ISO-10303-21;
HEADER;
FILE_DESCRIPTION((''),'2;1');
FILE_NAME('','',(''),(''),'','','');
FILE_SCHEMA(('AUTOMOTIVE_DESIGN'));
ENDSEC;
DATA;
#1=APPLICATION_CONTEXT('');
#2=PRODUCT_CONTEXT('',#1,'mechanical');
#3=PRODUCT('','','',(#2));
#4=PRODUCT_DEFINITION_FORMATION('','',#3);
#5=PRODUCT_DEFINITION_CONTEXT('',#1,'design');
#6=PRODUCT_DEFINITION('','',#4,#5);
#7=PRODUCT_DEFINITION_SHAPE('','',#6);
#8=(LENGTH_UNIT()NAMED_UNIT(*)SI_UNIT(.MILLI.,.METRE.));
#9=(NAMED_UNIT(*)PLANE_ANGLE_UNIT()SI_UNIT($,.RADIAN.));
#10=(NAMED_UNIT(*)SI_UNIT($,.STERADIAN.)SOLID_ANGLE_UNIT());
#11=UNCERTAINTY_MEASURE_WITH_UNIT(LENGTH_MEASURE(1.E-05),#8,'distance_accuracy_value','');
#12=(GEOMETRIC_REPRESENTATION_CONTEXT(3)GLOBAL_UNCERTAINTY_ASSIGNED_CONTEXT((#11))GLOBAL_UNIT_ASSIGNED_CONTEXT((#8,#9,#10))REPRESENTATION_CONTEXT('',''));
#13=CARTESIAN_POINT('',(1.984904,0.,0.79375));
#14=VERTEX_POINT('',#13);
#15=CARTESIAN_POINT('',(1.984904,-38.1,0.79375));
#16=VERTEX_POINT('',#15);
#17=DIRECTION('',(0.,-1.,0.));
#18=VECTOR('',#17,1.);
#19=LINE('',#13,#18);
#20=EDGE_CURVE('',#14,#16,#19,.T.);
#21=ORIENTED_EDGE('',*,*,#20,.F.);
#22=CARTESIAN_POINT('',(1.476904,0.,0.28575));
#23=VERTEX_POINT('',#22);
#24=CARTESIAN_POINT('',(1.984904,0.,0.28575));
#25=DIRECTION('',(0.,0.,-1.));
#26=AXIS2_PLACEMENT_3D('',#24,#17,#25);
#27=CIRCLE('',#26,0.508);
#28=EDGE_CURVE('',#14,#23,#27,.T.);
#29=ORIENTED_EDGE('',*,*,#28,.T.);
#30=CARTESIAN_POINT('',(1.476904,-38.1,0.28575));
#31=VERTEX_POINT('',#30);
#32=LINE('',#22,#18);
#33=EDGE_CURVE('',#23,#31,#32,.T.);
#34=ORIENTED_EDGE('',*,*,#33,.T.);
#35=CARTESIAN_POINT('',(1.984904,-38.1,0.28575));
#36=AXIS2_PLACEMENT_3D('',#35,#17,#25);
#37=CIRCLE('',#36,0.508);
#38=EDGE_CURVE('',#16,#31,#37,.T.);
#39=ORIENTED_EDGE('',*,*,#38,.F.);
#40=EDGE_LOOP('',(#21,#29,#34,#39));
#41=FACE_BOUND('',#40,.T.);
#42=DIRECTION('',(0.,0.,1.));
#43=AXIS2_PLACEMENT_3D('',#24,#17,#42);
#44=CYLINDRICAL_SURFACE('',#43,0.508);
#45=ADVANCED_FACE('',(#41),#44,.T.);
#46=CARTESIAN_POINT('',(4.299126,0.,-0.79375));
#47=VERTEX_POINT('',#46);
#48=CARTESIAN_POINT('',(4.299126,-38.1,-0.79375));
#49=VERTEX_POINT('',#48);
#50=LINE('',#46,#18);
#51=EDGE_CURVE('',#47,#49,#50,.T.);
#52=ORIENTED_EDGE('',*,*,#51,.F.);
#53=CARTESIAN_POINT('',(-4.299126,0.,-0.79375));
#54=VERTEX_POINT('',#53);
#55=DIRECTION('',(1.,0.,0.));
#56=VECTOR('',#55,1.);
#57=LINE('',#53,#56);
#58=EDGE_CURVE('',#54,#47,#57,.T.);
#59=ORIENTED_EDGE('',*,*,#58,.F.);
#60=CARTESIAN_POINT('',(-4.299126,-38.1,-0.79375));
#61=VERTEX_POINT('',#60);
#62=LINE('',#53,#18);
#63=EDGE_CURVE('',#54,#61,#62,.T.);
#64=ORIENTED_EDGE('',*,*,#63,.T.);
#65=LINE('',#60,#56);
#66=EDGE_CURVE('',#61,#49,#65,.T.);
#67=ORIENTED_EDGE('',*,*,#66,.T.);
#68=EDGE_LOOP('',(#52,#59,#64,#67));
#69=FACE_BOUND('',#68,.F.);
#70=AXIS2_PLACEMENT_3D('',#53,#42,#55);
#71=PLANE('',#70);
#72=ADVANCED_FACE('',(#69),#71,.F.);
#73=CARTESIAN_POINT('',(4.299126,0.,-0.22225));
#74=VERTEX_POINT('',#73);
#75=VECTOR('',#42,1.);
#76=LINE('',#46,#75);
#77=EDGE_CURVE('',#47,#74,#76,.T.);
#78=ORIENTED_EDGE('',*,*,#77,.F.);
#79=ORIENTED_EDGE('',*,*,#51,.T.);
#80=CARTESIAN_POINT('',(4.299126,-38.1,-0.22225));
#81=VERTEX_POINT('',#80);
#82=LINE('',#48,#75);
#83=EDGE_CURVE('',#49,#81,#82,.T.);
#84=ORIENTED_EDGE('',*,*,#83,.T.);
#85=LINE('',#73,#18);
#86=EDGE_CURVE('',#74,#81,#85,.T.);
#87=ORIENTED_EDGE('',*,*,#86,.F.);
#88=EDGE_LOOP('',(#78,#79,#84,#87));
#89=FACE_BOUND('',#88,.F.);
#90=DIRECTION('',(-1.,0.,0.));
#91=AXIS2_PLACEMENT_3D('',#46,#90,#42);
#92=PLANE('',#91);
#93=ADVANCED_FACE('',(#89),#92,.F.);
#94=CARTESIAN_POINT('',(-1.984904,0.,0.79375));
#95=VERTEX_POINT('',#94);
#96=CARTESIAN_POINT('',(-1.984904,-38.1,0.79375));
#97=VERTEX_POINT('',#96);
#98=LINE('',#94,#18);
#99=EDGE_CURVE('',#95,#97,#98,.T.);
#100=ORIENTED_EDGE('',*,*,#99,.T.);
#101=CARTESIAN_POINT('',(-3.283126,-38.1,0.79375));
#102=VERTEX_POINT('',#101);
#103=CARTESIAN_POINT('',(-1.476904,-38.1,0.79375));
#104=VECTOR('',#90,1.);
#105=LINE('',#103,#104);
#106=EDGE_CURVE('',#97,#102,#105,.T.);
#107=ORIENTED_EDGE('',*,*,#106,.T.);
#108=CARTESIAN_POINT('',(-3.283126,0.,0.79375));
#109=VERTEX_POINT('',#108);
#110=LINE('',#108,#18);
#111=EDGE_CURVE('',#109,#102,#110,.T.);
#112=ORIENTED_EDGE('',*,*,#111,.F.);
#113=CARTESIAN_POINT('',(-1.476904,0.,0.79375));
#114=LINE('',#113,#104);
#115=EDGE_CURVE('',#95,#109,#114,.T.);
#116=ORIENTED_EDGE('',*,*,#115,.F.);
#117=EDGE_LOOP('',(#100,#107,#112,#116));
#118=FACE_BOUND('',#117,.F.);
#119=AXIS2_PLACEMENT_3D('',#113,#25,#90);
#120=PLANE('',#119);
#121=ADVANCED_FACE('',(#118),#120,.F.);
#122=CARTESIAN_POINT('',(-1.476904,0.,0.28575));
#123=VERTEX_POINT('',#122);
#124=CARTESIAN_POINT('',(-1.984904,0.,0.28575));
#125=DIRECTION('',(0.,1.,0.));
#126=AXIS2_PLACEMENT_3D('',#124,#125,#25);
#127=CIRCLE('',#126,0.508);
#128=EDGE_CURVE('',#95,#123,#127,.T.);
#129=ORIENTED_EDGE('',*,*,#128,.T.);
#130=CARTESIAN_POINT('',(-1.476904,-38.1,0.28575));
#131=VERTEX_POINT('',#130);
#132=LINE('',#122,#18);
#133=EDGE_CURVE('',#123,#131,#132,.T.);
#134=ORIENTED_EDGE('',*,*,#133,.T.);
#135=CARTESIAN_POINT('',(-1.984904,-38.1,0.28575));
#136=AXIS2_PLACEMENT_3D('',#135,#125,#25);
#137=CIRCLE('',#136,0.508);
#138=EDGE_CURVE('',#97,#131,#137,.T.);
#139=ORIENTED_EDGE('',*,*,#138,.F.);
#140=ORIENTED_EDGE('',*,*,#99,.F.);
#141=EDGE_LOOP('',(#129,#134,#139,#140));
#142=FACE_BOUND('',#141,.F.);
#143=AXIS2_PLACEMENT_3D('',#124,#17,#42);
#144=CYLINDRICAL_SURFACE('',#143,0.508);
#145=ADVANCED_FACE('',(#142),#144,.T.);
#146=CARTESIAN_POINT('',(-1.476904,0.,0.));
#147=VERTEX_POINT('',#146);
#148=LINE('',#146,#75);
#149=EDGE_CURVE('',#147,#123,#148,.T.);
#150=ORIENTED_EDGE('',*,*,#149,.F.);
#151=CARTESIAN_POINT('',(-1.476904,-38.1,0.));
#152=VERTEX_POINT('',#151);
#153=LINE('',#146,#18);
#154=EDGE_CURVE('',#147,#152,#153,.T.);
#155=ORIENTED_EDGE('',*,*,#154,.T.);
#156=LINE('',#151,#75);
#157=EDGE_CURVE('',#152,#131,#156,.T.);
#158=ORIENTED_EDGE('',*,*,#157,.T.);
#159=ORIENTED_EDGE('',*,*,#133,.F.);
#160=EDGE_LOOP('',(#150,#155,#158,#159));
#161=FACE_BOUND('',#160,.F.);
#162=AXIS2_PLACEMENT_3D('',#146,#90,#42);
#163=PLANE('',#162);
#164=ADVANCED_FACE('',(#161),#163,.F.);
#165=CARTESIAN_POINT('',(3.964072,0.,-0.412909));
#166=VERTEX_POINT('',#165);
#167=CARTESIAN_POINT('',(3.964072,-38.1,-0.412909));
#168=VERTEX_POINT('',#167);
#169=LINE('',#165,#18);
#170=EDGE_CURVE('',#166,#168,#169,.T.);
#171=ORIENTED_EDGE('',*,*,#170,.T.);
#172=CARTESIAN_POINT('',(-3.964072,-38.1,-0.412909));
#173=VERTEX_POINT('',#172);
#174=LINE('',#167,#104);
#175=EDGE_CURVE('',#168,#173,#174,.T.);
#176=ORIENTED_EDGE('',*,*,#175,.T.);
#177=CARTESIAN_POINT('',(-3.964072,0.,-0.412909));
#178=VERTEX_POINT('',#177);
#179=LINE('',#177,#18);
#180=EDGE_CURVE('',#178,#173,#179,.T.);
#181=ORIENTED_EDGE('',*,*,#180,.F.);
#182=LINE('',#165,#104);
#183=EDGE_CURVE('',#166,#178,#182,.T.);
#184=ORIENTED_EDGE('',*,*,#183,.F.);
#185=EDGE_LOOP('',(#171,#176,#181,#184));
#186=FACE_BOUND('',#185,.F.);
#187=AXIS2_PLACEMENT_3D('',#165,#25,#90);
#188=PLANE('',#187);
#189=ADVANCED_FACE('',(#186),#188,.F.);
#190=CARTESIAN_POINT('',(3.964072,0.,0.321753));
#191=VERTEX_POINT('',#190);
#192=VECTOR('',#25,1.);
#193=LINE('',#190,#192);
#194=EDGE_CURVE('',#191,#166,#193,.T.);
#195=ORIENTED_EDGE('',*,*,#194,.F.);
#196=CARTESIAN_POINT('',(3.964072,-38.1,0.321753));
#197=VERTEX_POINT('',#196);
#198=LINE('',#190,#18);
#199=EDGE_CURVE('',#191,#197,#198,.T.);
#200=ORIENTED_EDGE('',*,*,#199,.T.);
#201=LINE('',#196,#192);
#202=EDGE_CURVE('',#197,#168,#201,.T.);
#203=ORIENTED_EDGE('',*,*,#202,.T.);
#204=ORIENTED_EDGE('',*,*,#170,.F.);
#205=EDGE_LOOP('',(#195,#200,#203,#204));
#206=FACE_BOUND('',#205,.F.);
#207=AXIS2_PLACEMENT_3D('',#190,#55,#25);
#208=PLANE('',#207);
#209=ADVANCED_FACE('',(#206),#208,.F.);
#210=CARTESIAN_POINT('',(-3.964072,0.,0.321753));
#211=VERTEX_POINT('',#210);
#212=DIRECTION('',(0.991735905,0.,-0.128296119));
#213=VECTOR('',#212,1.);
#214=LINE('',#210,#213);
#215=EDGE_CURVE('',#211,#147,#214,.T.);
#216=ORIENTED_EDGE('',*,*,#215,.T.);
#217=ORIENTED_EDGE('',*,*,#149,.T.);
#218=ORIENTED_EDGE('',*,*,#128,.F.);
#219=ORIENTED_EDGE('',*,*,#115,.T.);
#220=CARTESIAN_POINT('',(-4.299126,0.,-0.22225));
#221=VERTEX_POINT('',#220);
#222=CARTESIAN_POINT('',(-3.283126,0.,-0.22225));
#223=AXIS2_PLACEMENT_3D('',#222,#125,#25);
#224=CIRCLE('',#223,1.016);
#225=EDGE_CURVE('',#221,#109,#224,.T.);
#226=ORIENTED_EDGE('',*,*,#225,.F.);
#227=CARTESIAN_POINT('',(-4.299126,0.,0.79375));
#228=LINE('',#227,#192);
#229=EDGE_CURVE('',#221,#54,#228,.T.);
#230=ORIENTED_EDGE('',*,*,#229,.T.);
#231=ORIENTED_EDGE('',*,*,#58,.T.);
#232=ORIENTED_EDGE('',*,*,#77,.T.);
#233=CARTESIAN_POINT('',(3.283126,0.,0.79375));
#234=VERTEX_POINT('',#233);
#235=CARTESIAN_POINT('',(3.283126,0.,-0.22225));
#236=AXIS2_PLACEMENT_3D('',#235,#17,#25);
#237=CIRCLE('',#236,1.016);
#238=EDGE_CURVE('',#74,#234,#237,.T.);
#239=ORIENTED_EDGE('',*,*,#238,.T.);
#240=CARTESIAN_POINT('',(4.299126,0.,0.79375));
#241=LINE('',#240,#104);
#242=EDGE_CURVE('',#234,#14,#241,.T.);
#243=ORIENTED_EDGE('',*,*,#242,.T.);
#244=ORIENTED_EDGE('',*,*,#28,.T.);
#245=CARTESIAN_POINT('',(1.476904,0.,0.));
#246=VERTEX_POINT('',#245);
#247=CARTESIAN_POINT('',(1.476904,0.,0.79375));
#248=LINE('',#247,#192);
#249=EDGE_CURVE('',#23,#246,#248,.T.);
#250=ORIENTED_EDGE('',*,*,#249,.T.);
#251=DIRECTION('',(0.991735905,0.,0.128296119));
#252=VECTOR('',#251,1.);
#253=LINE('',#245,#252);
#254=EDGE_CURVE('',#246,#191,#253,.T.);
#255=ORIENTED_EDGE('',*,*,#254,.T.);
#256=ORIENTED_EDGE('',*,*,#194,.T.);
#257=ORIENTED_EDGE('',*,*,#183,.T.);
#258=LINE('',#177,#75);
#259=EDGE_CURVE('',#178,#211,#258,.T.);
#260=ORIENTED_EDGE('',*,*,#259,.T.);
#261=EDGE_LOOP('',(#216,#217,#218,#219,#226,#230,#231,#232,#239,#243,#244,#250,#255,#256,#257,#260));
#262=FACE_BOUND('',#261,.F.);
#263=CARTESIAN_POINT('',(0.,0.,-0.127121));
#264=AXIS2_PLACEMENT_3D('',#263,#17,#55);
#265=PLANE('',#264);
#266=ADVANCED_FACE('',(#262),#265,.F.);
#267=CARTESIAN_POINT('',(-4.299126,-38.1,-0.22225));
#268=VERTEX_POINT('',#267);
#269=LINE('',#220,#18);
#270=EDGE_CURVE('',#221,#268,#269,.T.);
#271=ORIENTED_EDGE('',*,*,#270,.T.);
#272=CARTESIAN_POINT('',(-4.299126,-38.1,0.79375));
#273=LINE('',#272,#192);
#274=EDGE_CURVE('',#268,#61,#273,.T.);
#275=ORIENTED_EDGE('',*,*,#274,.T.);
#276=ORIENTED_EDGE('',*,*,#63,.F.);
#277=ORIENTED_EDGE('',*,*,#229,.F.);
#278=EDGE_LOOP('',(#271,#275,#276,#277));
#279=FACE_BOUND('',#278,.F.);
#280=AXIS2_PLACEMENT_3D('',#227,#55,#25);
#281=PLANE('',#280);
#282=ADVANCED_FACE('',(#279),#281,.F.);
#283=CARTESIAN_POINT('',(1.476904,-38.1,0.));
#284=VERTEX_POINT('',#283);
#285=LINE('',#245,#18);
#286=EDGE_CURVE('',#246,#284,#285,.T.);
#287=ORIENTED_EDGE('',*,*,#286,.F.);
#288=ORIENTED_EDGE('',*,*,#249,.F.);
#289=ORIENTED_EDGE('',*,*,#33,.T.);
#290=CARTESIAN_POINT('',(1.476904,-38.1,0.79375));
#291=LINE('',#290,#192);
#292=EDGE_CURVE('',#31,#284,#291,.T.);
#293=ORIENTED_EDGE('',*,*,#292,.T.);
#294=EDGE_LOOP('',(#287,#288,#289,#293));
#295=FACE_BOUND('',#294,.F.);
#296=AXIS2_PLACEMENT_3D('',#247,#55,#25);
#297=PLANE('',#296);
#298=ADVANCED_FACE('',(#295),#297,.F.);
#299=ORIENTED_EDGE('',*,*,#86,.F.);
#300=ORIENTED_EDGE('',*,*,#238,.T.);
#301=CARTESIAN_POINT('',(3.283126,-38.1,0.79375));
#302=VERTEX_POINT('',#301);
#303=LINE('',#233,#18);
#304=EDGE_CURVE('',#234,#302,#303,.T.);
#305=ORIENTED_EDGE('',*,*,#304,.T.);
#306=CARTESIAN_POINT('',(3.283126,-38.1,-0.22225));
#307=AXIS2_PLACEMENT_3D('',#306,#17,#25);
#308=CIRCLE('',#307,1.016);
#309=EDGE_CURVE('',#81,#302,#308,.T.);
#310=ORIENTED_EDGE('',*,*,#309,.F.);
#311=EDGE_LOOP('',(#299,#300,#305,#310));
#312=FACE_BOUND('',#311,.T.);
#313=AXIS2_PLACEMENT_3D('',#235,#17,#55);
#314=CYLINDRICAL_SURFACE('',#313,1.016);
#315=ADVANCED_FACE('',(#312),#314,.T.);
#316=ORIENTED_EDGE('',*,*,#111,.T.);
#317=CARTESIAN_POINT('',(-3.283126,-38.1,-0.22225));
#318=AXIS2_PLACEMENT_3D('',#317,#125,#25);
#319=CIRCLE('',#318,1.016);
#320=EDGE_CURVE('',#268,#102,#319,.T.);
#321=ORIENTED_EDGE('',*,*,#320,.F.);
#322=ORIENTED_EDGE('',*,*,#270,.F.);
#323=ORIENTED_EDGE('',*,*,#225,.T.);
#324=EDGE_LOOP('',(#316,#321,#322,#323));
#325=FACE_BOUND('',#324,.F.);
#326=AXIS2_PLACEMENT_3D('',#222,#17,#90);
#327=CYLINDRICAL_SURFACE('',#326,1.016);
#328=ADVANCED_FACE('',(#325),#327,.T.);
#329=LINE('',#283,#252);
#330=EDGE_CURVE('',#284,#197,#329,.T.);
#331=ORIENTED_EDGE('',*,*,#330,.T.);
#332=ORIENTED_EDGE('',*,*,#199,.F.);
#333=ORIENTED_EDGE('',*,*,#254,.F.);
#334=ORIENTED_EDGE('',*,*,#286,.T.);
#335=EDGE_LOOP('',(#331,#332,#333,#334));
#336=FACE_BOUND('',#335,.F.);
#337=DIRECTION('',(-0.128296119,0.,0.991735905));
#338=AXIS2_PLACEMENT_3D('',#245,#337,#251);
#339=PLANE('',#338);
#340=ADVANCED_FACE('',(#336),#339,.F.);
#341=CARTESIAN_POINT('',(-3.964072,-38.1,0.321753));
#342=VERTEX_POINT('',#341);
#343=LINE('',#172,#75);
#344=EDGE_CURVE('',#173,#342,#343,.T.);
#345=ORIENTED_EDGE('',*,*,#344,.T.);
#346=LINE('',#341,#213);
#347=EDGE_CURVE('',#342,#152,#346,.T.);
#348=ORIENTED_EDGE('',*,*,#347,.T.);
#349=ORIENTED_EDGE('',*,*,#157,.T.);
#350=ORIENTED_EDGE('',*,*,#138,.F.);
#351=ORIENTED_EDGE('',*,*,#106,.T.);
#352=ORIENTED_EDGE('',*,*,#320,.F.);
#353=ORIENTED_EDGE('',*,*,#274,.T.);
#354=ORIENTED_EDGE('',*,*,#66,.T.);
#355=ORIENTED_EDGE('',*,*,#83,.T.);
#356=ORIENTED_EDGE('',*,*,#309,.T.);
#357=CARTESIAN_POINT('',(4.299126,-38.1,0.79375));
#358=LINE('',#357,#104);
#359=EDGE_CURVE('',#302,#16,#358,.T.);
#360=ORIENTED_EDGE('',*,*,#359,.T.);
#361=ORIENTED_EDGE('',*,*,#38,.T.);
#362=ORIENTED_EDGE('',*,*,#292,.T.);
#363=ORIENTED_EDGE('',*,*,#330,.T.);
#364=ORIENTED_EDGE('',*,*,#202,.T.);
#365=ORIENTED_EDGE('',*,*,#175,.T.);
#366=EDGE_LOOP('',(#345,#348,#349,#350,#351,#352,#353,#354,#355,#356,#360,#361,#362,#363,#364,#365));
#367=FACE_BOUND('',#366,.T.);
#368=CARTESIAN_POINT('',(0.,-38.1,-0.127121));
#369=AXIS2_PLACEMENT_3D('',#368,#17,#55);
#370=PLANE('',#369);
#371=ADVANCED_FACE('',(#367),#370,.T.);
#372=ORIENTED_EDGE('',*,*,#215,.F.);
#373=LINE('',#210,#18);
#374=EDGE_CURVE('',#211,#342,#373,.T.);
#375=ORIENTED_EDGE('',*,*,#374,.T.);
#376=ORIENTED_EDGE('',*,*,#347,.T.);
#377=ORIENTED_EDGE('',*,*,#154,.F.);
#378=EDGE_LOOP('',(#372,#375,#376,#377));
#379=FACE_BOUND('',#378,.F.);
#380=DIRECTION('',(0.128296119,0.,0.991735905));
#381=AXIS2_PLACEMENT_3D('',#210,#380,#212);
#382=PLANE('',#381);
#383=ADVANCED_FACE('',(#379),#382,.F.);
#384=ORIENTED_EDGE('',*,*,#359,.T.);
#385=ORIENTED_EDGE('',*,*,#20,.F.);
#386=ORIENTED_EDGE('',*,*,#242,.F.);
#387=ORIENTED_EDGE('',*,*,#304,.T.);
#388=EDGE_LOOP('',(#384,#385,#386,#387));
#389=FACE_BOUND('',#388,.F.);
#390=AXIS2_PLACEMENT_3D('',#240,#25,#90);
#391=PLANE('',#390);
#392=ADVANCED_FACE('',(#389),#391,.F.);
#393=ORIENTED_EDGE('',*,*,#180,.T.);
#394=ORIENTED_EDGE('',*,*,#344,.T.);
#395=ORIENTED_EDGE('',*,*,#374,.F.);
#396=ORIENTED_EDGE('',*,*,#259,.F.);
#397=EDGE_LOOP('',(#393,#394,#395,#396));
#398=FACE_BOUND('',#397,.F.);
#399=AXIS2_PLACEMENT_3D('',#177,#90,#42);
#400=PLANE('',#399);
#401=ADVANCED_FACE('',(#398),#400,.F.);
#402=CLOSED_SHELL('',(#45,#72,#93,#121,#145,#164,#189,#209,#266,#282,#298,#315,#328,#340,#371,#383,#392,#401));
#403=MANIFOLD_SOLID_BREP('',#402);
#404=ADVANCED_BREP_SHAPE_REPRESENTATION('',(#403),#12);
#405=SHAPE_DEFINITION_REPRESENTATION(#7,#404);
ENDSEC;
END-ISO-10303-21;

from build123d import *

# Parameters (mm, degrees)
F1_DEPTH = 38.1
F2_R     = 1.016
F3_R     = 1.016
F4_R     = 0.508
F5_R     = 0.508


with BuildPart() as f1:
    # F0 (on Front) → F1 (new body)
    with BuildSketch(Plane.XZ):
        Polygon((-4.299126, 0.79375), (-4.299126, -0.79375), (4.299126, -0.79375), (4.299126, 0.79375), (1.476904, 0.79375), (1.476904, 0), (3.964072, 0.321753), (3.964072, -0.412909), (-3.964072, -0.412909), (-3.964072, 0.321753), (-1.476904, 0), (-1.476904, 0.79375), align=None)
    extrude(amount=F1_DEPTH)

    # F2
    f2_edges = [f1.edges().sort_by_distance(p)[0] for p in [
        (-4.299126, -19.05, 0.79375),
    ]]
    fillet(f2_edges, radius=F2_R)

    # F3
    f3_edges = [f1.edges().sort_by_distance(p)[0] for p in [
        (4.299126, -19.05, 0.79375),
    ]]
    fillet(f3_edges, radius=F3_R)

    # F4
    f4_edges = [f1.edges().sort_by_distance(p)[0] for p in [
        (-1.476904, -19.05, 0.79375),
    ]]
    fillet(f4_edges, radius=F4_R)

    # F5
    f5_edges = [f1.edges().sort_by_distance(p)[0] for p in [
        (1.476904, -19.05, 0.79375),
    ]]
    fillet(f5_edges, radius=F5_R)


solid = f1.part
